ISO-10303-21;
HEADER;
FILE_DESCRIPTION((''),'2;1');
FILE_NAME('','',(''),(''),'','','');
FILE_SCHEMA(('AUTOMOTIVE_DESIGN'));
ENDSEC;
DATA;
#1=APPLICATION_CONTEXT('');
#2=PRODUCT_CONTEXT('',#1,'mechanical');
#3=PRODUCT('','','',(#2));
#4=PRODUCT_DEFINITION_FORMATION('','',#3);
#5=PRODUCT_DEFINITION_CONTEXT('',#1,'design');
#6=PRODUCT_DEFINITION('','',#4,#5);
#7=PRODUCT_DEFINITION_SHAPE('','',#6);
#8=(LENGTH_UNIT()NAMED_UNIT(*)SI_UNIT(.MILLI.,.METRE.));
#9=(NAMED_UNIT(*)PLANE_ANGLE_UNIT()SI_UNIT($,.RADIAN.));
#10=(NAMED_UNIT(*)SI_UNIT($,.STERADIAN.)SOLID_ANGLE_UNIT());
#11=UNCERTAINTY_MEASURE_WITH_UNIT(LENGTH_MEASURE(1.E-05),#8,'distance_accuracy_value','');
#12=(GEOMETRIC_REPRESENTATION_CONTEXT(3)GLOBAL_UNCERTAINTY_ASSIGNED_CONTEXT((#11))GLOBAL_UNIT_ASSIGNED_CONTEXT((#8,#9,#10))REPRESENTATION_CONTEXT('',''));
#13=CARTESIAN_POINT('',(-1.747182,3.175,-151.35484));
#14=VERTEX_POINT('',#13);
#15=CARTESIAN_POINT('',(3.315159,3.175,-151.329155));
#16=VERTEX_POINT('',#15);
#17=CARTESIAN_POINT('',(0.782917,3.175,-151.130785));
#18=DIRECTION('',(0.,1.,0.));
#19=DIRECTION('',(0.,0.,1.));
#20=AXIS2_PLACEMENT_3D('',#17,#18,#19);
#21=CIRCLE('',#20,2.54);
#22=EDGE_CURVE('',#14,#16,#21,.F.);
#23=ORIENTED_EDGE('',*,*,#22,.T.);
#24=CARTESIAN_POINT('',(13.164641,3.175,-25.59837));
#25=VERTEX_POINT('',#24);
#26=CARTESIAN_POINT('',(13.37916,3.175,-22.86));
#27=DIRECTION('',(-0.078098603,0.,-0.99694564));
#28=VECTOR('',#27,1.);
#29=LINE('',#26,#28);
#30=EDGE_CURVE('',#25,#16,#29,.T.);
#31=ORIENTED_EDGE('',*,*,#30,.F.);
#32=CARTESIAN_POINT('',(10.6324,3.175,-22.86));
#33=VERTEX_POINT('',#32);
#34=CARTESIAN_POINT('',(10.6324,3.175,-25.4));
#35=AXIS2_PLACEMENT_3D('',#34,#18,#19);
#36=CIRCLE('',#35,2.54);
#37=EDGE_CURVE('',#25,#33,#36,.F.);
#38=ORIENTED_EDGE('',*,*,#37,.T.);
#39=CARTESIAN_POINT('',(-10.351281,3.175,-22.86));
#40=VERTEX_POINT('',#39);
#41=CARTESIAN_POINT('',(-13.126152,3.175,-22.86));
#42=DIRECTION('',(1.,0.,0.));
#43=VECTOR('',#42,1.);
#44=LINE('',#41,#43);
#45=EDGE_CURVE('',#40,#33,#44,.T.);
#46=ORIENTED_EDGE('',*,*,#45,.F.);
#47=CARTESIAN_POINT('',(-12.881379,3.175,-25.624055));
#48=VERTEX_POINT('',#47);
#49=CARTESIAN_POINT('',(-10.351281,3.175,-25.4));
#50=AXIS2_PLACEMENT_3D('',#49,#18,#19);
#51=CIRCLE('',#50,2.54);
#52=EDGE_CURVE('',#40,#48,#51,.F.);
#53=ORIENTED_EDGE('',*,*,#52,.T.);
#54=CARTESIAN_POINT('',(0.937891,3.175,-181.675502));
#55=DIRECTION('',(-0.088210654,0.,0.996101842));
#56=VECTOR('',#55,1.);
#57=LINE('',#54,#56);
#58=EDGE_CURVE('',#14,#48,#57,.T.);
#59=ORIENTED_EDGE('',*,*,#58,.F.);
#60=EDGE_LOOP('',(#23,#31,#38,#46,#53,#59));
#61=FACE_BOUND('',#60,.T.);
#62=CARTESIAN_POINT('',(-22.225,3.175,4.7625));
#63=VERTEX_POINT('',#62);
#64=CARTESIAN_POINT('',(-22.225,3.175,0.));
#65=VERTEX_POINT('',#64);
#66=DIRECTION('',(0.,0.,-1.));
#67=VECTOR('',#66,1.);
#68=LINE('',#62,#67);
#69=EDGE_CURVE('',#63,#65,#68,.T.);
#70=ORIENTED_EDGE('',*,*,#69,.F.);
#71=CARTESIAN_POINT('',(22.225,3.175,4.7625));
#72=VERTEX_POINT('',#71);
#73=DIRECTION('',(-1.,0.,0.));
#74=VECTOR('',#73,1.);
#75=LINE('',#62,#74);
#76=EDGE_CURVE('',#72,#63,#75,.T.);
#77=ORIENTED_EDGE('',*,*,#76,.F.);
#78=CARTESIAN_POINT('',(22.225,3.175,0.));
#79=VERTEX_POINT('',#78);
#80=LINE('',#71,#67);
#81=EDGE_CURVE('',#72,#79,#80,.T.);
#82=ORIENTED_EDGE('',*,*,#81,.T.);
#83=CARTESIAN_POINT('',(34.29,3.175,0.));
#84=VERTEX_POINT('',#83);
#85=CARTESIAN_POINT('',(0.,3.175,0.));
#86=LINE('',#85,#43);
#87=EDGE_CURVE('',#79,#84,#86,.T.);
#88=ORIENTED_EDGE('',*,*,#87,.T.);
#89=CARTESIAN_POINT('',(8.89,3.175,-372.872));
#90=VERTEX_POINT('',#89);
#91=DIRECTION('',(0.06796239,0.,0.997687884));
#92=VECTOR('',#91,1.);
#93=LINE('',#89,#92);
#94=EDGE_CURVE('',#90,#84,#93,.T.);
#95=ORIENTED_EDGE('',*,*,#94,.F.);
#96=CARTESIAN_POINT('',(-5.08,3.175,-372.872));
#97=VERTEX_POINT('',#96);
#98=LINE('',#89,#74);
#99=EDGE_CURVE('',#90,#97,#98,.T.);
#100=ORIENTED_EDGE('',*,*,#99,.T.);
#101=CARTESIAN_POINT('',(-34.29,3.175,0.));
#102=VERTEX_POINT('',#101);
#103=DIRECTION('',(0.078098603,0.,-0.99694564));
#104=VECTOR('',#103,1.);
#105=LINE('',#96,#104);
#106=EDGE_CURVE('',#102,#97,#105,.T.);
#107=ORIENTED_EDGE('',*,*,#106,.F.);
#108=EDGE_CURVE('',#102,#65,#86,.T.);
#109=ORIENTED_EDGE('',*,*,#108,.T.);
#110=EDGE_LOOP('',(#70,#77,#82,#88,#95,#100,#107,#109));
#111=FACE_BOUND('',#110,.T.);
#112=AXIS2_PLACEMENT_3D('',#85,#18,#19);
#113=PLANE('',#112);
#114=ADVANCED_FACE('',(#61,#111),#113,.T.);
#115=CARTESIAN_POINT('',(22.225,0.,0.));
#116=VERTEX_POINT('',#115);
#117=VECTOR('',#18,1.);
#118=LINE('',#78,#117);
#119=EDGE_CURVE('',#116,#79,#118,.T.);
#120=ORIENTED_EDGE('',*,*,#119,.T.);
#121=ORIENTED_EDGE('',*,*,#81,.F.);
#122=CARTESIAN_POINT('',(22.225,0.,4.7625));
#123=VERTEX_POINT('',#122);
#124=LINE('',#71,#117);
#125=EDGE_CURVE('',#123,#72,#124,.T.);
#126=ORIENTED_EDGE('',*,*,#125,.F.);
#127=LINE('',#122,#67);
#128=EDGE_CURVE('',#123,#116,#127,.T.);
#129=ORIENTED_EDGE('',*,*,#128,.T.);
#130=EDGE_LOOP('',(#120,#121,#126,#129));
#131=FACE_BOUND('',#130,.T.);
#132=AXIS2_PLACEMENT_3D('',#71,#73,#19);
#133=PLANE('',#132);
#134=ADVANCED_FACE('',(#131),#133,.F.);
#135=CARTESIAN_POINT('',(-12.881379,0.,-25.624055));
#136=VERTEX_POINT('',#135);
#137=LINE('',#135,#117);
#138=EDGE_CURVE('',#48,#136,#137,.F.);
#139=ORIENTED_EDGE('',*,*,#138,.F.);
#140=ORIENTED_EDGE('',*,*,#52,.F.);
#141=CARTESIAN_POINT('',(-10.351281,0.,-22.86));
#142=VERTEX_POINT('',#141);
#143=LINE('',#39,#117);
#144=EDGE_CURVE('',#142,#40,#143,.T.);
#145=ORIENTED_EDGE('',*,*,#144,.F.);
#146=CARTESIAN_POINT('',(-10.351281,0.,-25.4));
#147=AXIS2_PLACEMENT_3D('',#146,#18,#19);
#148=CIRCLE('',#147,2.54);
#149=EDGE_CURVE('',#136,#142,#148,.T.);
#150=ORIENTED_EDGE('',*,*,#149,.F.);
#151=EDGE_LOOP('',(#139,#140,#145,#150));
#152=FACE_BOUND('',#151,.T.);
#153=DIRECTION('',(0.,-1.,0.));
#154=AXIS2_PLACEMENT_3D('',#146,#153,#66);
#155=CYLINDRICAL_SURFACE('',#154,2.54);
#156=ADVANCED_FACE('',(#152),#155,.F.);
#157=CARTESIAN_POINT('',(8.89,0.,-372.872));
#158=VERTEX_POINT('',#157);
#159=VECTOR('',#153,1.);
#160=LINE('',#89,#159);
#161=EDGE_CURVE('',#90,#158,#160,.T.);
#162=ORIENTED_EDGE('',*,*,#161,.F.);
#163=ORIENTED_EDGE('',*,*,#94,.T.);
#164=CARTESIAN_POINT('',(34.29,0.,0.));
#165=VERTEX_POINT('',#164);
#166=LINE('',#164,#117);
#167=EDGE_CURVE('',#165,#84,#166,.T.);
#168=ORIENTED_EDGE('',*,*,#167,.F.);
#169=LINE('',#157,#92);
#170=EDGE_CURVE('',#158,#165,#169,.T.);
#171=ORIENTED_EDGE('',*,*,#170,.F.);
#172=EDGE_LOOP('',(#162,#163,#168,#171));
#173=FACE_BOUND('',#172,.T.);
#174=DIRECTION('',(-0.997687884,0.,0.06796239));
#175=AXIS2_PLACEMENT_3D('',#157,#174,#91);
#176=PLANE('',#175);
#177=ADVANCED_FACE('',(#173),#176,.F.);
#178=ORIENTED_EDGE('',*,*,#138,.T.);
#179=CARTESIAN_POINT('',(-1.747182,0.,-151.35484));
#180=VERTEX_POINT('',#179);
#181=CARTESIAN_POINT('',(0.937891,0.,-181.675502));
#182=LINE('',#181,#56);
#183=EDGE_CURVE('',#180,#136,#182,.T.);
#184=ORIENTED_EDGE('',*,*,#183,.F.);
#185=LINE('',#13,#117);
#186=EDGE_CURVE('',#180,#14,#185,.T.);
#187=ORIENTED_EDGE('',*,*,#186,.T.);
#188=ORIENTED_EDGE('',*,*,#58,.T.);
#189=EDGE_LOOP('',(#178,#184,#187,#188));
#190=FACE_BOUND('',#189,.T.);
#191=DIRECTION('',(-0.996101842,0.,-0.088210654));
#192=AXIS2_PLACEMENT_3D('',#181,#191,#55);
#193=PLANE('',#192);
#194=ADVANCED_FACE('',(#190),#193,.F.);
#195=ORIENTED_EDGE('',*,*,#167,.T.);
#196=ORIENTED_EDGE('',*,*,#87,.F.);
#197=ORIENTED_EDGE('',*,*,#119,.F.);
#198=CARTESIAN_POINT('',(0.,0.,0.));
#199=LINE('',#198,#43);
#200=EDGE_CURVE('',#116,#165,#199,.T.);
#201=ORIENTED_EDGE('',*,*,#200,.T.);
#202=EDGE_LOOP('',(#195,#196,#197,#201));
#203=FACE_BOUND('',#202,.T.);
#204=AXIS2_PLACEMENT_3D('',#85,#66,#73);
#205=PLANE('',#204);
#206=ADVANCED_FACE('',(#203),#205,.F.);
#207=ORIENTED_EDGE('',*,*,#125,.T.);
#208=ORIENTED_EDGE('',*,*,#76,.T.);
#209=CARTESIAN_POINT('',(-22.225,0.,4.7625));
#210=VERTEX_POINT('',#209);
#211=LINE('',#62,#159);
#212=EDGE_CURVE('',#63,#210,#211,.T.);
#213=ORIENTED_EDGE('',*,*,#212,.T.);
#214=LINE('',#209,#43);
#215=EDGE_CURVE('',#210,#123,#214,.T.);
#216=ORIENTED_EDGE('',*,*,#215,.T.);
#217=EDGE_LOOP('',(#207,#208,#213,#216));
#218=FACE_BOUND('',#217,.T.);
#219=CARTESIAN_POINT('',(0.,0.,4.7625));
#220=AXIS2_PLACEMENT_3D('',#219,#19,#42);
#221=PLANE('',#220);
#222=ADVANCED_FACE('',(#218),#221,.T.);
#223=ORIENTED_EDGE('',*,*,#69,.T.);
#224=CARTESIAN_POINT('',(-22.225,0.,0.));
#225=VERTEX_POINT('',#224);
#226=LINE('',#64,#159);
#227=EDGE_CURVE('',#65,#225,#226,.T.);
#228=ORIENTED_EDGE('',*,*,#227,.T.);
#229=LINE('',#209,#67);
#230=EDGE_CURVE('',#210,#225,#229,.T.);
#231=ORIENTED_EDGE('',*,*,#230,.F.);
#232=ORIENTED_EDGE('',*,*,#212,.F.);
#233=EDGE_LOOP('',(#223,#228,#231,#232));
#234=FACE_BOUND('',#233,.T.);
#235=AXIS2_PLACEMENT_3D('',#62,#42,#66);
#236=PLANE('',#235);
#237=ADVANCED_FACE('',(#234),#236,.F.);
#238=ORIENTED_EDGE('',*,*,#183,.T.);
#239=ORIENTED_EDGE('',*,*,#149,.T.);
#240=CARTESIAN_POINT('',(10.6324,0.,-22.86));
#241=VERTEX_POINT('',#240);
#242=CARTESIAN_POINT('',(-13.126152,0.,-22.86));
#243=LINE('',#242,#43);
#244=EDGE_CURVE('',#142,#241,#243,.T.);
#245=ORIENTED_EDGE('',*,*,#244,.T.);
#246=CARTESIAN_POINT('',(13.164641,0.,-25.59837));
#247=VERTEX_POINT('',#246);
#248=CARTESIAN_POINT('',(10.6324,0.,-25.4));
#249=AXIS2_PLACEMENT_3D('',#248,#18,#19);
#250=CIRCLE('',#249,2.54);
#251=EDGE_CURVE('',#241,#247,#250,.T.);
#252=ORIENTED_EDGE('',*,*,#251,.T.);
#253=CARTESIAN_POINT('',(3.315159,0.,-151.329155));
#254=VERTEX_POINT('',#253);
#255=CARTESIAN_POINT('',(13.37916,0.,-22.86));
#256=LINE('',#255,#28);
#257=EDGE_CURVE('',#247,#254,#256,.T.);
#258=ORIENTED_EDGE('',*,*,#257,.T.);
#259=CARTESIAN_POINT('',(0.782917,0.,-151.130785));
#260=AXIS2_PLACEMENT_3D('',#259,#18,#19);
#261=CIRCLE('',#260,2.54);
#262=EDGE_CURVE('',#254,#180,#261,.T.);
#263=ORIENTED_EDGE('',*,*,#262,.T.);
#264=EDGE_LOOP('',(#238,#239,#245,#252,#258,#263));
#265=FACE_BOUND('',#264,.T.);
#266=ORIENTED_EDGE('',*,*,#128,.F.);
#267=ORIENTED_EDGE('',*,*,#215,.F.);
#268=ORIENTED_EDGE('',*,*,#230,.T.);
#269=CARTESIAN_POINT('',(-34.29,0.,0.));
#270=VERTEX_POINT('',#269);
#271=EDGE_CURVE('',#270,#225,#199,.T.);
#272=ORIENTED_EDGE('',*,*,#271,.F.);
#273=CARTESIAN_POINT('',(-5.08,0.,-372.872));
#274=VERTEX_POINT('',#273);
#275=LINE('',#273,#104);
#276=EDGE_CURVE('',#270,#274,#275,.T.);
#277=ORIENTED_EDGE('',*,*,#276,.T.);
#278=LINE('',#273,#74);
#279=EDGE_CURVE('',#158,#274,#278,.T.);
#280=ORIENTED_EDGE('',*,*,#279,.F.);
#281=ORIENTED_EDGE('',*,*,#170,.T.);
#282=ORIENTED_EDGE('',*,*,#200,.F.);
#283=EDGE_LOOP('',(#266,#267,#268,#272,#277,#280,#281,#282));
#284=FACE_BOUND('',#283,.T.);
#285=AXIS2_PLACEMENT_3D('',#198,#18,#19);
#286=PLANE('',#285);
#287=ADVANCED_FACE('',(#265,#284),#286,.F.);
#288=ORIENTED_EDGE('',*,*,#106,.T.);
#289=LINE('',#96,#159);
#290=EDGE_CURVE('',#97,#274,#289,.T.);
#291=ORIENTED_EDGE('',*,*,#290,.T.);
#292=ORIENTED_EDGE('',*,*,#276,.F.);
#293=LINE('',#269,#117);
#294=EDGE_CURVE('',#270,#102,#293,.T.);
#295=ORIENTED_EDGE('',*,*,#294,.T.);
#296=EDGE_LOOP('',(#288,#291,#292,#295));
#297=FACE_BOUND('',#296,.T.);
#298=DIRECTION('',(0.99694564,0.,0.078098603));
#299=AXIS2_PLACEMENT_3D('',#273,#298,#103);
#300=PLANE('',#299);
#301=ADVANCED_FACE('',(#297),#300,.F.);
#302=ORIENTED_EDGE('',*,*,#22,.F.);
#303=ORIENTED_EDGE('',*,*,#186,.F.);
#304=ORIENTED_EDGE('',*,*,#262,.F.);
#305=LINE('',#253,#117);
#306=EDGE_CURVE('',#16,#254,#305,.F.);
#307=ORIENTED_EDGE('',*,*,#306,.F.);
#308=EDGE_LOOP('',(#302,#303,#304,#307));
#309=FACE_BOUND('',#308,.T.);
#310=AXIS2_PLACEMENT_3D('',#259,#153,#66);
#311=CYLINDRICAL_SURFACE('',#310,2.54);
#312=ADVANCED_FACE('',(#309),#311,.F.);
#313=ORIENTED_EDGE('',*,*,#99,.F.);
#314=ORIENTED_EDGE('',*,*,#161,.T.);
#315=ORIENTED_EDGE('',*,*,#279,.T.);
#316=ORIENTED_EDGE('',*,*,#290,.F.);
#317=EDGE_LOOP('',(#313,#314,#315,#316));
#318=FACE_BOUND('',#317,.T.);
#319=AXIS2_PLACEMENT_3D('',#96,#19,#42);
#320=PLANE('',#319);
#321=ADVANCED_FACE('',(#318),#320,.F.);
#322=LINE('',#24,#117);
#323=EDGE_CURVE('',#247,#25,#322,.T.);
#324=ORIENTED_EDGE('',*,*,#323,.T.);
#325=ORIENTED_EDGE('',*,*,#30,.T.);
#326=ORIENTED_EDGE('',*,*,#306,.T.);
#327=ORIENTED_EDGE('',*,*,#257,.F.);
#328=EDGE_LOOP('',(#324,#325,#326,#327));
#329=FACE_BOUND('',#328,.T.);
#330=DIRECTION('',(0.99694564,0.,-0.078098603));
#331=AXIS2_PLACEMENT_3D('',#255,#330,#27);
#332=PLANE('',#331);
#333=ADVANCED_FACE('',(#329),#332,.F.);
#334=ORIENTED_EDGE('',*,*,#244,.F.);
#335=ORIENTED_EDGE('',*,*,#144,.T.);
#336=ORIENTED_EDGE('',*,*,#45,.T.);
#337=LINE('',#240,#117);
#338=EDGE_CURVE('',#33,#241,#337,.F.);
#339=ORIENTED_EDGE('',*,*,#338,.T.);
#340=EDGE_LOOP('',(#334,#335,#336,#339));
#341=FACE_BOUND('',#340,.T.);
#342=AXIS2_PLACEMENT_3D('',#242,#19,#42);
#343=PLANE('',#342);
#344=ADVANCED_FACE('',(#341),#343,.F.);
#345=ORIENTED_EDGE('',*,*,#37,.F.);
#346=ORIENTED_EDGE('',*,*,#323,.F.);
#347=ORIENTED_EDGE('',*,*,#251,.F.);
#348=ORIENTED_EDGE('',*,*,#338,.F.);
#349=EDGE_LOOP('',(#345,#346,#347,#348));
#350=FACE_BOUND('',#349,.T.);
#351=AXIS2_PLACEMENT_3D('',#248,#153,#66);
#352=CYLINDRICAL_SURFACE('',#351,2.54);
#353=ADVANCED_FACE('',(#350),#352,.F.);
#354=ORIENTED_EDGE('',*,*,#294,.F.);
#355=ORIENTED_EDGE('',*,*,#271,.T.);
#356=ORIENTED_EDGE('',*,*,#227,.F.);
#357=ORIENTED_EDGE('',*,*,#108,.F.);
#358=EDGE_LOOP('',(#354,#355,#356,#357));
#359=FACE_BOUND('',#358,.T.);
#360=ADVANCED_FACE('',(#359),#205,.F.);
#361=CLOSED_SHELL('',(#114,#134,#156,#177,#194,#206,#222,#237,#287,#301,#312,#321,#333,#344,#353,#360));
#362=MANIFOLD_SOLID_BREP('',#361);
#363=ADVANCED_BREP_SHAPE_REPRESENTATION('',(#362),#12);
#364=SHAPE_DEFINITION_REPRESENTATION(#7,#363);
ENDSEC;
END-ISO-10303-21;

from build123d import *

# Parameters (mm, degrees)
BOSS_EXTRUDE1_DEPTH = 3.175
CUT_EXTRUDE1_DEPTH  = 3.175
FILLET1_R           = 2.54
SKETCH3_W           = 44.45
SKETCH3_H           = 3.175
BOSS_EXTRUDE2_DEPTH = 4.7625
CUT_EXTRUDE2_DEPTH  = 375.826918736


with BuildPart() as part:
    # Sketch1 → Boss-Extrude1 (new body)
    with BuildSketch(Plane(origin=(0, 0, 0), x_dir=(1, 0, 0), z_dir=(0, 1, 0))):
        Polygon((0, 0), (-38.1, 0), (-5.08, 372.872), (0, 372.872), (8.89, 372.872), (38.1, 0), align=None)
    extrude(amount=BOSS_EXTRUDE1_DEPTH)

    # Sketch2 → Cut-Extrude1 (cut)
    with BuildSketch(Plane(origin=(0, 3.175, 0), x_dir=(1, 0, 0), z_dir=(0, 1, 0))):
        Polygon((13.379159589, 22.86), (0.937890665, 181.675502439), (-13.126152466, 22.86), align=None)
    extrude(amount=-CUT_EXTRUDE1_DEPTH, mode=Mode.SUBTRACT)

    # Fillet1
    fillet1_edges = [part.edges().sort_by_distance(p)[0] for p in [
        (-13.126152466, 1.5875, -22.86),
        (0.937890665, 1.5875, -181.675502439),
        (13.379159589, 1.5875, -22.86),
    ]]
    fillet(fillet1_edges, radius=FILLET1_R)

    # Sketch3 → Boss-Extrude2 (add)
    with BuildSketch(Plane.XY):
        with Locations((0, 1.5875)):
            Rectangle(SKETCH3_W, SKETCH3_H)
    extrude(amount=BOSS_EXTRUDE2_DEPTH)

    # Sketch4 → Cut-Extrude2 (cut, through all)
    with BuildSketch(Plane(origin=(0, 3.175, 0), x_dir=(1, 0, 0), z_dir=(0, 1, 0))):
        Polygon((-5.08, 372.872), (-34.29, 0), (-38.1, 0), align=None)
        Polygon((38.1, 0), (8.89, 372.872), (34.29, 0), align=None)
    extrude(amount=-CUT_EXTRUDE2_DEPTH, mode=Mode.SUBTRACT)


solid = part.part
